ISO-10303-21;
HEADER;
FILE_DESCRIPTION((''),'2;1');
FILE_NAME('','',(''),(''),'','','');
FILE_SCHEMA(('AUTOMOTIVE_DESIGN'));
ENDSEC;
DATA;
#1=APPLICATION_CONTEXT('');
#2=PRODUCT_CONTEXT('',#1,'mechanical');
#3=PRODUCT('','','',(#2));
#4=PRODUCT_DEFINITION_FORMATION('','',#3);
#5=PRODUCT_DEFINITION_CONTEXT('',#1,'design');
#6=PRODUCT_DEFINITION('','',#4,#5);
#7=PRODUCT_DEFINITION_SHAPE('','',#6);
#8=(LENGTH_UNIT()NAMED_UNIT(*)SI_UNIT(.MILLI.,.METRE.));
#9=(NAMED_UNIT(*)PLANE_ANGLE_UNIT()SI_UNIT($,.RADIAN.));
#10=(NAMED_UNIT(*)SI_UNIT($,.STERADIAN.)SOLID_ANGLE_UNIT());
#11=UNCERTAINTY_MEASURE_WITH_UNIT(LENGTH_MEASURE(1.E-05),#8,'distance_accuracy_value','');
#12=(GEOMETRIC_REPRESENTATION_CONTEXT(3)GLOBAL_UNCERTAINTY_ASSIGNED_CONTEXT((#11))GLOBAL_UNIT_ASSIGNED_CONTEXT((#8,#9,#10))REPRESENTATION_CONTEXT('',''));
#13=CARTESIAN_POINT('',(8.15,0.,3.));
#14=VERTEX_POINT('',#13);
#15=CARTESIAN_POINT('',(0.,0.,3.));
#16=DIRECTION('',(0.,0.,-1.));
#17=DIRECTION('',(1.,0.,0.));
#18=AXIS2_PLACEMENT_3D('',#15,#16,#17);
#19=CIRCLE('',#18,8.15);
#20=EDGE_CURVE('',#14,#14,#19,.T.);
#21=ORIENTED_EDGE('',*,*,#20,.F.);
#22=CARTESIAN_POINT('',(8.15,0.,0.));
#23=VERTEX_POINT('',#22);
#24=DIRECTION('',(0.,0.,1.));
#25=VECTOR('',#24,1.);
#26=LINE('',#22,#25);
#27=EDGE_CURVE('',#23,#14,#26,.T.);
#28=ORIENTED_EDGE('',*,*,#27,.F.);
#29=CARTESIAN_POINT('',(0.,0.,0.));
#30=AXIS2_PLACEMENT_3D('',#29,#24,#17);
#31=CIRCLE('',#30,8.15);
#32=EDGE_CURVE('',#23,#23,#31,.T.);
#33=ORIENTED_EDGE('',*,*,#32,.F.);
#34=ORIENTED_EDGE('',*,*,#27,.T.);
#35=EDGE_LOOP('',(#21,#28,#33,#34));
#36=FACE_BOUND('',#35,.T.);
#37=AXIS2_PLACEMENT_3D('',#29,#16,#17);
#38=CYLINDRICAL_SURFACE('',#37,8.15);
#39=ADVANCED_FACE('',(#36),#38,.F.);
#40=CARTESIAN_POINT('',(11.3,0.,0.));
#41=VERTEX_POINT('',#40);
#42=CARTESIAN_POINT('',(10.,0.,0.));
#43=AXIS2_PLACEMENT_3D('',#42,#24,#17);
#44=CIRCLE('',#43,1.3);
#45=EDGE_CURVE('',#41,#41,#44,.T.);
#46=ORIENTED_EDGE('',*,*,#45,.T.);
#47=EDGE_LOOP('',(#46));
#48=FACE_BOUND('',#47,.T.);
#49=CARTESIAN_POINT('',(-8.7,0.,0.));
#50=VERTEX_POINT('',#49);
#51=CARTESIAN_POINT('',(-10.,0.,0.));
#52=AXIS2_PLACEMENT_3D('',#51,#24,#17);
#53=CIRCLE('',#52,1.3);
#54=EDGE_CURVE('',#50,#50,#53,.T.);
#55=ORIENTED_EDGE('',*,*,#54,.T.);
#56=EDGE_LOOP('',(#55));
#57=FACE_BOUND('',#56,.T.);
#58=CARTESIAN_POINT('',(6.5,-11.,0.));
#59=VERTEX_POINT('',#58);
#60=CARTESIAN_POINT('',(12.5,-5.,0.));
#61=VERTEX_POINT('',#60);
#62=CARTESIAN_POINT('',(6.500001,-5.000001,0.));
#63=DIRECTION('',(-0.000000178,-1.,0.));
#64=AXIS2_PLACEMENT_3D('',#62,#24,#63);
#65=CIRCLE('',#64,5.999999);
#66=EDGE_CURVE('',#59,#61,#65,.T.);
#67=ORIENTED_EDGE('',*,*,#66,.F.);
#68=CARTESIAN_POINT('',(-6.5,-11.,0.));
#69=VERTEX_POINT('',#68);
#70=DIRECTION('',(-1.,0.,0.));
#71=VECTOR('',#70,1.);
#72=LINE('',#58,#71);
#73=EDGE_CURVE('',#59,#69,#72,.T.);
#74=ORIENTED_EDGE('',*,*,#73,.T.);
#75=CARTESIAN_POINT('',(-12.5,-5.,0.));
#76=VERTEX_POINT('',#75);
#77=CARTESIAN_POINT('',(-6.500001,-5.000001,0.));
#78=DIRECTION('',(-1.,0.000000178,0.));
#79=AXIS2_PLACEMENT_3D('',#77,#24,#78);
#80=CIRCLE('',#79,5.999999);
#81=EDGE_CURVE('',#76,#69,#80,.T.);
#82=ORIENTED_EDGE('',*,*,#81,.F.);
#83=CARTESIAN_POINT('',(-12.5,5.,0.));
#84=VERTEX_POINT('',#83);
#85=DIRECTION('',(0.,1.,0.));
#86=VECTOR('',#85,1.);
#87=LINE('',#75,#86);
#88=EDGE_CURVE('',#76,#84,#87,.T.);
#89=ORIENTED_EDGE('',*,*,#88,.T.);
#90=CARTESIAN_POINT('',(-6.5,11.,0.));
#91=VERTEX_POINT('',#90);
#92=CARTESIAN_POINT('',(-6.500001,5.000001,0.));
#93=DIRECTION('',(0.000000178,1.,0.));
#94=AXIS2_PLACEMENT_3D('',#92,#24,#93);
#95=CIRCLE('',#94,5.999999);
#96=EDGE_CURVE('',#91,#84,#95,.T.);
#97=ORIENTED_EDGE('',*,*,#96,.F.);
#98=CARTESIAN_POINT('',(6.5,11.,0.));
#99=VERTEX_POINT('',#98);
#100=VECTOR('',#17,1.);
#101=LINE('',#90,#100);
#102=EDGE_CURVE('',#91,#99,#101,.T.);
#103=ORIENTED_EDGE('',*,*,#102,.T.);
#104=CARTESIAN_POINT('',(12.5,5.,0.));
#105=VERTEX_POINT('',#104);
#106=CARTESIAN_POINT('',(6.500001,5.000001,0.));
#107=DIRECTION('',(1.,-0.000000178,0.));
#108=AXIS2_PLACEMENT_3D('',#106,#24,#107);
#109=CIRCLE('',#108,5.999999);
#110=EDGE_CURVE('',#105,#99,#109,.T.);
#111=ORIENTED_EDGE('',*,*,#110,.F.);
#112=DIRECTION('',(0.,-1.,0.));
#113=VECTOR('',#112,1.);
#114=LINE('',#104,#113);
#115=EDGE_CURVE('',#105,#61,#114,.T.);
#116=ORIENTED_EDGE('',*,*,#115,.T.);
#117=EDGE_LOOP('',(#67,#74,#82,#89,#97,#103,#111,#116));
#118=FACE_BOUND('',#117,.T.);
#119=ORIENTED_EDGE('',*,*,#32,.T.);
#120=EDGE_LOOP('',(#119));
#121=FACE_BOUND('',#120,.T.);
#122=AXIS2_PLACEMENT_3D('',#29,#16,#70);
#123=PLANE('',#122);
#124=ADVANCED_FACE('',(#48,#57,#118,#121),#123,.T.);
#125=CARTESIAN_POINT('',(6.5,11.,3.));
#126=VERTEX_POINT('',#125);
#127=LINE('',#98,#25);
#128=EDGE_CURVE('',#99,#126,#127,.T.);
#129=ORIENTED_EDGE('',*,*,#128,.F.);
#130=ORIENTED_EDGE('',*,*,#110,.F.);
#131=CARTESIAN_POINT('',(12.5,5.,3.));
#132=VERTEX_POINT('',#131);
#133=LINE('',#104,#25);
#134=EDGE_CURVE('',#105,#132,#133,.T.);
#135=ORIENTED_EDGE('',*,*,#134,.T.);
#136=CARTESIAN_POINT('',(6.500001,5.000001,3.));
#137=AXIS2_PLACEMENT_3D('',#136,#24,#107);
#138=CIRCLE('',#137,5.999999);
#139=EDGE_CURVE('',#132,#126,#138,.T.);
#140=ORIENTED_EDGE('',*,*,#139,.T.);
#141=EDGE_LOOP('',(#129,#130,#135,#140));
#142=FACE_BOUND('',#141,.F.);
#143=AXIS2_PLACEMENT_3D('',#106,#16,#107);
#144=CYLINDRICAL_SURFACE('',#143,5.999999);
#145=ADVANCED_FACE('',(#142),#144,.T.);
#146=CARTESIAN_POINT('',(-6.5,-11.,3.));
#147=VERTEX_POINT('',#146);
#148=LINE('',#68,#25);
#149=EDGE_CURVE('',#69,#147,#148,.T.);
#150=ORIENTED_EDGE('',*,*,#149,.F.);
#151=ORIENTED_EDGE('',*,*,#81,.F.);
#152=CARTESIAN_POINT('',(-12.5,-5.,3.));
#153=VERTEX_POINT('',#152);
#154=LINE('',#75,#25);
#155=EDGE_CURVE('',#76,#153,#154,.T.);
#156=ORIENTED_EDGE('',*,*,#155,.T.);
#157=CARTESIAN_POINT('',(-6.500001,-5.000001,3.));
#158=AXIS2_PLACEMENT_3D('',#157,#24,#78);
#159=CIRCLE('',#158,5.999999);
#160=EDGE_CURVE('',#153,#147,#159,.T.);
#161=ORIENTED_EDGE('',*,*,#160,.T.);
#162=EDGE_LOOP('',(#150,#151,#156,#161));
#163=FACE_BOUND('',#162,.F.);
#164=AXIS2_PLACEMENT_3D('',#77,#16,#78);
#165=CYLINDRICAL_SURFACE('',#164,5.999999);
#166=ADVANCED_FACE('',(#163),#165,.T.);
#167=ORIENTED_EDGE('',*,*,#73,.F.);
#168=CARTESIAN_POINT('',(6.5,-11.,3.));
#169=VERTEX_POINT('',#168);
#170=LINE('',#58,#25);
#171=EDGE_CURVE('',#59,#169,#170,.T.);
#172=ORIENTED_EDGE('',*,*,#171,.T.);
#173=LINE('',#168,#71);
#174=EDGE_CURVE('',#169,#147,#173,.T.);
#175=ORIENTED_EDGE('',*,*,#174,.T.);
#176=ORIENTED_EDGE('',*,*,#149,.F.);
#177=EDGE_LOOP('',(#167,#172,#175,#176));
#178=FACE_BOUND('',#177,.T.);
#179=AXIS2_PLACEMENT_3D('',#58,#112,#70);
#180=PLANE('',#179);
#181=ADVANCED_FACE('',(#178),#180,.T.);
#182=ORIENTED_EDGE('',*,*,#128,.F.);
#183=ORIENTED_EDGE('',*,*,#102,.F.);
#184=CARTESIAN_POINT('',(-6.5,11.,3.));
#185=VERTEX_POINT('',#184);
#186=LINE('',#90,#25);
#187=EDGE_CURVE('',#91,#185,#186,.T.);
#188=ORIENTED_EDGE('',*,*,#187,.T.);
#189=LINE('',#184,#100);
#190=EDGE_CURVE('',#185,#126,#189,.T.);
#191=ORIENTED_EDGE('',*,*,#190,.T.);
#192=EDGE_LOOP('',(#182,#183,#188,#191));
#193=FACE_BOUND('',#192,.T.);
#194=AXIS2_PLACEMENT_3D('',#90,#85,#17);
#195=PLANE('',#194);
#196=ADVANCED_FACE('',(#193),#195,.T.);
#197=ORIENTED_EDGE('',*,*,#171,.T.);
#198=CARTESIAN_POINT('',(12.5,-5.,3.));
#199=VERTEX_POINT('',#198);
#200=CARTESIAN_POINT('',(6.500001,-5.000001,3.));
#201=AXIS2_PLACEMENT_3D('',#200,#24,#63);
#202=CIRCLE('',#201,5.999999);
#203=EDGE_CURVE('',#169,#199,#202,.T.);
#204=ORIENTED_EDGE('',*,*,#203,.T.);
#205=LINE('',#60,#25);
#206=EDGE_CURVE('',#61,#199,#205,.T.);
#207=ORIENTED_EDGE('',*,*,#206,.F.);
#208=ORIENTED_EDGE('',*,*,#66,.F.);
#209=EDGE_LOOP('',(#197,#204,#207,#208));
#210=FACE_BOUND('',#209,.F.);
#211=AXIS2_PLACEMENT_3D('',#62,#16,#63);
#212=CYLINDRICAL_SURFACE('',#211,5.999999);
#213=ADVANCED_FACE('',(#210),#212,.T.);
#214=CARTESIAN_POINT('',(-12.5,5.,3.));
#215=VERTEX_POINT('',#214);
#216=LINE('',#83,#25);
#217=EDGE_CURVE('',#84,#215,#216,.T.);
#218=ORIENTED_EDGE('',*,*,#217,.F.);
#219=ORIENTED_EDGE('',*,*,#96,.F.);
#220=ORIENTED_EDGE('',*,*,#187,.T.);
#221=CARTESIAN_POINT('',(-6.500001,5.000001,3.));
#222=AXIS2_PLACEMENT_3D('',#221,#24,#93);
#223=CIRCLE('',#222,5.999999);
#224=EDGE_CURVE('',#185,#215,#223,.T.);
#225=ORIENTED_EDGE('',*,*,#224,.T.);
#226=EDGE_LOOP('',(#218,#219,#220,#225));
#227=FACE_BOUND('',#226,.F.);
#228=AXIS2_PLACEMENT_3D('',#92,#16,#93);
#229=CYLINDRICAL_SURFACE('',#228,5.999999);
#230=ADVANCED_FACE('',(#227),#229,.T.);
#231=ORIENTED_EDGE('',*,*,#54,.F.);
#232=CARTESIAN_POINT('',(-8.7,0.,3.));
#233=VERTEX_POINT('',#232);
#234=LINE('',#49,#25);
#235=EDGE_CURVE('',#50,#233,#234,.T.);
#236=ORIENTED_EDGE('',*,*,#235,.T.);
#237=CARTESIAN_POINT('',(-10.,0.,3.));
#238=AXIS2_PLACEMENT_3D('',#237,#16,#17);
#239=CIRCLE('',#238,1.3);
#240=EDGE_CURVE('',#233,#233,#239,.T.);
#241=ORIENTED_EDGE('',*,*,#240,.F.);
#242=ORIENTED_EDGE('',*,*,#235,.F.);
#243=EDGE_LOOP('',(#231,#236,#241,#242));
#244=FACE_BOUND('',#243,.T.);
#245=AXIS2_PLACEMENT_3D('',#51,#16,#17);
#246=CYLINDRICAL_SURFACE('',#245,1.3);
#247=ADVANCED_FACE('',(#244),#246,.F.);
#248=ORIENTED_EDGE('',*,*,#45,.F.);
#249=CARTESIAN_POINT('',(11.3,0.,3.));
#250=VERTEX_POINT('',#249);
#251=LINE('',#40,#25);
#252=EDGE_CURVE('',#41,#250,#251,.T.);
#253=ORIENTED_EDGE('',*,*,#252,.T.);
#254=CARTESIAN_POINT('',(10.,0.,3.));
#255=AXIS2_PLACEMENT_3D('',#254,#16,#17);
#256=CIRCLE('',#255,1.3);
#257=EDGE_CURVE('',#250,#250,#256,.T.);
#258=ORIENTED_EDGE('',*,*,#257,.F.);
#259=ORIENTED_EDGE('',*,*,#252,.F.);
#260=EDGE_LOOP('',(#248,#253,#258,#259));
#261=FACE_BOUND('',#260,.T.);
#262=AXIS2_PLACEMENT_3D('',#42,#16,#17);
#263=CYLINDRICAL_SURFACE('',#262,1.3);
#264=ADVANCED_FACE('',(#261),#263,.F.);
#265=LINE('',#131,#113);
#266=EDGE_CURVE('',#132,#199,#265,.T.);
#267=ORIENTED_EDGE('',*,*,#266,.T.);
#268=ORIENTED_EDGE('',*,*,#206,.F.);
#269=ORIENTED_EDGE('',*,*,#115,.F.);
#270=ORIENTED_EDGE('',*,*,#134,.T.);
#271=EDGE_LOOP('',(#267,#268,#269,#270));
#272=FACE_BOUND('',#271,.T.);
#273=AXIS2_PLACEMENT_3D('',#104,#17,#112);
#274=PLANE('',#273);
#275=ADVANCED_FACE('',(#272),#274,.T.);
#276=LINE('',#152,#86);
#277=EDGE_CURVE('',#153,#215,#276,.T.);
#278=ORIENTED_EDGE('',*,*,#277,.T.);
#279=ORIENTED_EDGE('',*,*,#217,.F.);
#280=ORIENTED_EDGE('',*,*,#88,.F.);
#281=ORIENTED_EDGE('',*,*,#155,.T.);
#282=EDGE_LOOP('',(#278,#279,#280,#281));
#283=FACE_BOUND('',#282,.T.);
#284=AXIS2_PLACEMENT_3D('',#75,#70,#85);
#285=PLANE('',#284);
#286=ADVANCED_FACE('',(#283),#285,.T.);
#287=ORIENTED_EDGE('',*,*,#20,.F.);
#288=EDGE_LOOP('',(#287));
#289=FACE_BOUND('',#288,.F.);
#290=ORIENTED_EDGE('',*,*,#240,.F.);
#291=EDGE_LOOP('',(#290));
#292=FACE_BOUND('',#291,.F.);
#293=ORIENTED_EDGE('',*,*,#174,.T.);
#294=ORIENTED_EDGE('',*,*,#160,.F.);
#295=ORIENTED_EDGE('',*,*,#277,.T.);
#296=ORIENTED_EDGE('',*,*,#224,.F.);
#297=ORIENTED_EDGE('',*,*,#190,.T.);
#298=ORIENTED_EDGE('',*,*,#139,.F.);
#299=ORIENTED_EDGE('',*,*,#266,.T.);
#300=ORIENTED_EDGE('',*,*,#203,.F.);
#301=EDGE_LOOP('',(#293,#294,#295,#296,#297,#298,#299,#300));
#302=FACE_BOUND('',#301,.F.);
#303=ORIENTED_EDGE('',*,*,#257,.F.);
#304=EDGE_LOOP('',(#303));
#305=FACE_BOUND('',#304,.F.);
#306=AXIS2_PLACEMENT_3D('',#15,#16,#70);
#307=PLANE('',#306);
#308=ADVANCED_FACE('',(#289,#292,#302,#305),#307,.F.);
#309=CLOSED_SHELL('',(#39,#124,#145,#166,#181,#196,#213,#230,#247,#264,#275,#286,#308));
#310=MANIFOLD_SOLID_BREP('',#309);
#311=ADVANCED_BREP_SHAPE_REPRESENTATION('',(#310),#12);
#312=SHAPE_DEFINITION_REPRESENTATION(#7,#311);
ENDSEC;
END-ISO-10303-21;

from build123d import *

# Parameters (mm, degrees)
SKETCH002_R  = 1.3
PAD002_DEPTH = 7
SKETCH001_R  = 8.15
PAD001_DEPTH = 7
PAD_DEPTH    = 3


with BuildPart() as screw_holes:
    # Sketch002 → Pad002 (new body)
    with BuildSketch(Plane.XY):
        with Locations((-10, 0)):
            Circle(SKETCH002_R)
        with Locations((10, 0)):
            Circle(SKETCH002_R)
    extrude(amount=PAD002_DEPTH)


with BuildPart() as lens_hole:
    # Sketch001 → Pad001 (new body)
    with BuildSketch(Plane.XY):
        Circle(SKETCH001_R)
    extrude(amount=PAD001_DEPTH)


with BuildPart() as cut001:
    # Sketch → Pad (new body)
    with BuildSketch(Plane.XY):
        with BuildLine():
            Line((-6.5, 11), (6.5, 11))
            ThreePointArc((12.5, 5), (10.742641, 9.242641), (6.5, 11))
            Line((12.5, 5), (12.5, -5))
            ThreePointArc((6.5, -11), (10.742641, -9.242641), (12.5, -5))
            Line((6.5, -11), (-6.5, -11))
            ThreePointArc((-12.5, -5), (-10.742641, -9.242641), (-6.5, -11))
            Line((-12.5, -5), (-12.5, 5))
            ThreePointArc((-6.5, 11), (-10.742641, 9.242641), (-12.5, 5))
        make_face()
    extrude(amount=PAD_DEPTH)

    # Cut: cut Lens Hole
    add(lens_hole.part, mode=Mode.SUBTRACT)

    # Cut001: cut Screw Holes
    add(screw_holes.part, mode=Mode.SUBTRACT)


solid = cut001.part
